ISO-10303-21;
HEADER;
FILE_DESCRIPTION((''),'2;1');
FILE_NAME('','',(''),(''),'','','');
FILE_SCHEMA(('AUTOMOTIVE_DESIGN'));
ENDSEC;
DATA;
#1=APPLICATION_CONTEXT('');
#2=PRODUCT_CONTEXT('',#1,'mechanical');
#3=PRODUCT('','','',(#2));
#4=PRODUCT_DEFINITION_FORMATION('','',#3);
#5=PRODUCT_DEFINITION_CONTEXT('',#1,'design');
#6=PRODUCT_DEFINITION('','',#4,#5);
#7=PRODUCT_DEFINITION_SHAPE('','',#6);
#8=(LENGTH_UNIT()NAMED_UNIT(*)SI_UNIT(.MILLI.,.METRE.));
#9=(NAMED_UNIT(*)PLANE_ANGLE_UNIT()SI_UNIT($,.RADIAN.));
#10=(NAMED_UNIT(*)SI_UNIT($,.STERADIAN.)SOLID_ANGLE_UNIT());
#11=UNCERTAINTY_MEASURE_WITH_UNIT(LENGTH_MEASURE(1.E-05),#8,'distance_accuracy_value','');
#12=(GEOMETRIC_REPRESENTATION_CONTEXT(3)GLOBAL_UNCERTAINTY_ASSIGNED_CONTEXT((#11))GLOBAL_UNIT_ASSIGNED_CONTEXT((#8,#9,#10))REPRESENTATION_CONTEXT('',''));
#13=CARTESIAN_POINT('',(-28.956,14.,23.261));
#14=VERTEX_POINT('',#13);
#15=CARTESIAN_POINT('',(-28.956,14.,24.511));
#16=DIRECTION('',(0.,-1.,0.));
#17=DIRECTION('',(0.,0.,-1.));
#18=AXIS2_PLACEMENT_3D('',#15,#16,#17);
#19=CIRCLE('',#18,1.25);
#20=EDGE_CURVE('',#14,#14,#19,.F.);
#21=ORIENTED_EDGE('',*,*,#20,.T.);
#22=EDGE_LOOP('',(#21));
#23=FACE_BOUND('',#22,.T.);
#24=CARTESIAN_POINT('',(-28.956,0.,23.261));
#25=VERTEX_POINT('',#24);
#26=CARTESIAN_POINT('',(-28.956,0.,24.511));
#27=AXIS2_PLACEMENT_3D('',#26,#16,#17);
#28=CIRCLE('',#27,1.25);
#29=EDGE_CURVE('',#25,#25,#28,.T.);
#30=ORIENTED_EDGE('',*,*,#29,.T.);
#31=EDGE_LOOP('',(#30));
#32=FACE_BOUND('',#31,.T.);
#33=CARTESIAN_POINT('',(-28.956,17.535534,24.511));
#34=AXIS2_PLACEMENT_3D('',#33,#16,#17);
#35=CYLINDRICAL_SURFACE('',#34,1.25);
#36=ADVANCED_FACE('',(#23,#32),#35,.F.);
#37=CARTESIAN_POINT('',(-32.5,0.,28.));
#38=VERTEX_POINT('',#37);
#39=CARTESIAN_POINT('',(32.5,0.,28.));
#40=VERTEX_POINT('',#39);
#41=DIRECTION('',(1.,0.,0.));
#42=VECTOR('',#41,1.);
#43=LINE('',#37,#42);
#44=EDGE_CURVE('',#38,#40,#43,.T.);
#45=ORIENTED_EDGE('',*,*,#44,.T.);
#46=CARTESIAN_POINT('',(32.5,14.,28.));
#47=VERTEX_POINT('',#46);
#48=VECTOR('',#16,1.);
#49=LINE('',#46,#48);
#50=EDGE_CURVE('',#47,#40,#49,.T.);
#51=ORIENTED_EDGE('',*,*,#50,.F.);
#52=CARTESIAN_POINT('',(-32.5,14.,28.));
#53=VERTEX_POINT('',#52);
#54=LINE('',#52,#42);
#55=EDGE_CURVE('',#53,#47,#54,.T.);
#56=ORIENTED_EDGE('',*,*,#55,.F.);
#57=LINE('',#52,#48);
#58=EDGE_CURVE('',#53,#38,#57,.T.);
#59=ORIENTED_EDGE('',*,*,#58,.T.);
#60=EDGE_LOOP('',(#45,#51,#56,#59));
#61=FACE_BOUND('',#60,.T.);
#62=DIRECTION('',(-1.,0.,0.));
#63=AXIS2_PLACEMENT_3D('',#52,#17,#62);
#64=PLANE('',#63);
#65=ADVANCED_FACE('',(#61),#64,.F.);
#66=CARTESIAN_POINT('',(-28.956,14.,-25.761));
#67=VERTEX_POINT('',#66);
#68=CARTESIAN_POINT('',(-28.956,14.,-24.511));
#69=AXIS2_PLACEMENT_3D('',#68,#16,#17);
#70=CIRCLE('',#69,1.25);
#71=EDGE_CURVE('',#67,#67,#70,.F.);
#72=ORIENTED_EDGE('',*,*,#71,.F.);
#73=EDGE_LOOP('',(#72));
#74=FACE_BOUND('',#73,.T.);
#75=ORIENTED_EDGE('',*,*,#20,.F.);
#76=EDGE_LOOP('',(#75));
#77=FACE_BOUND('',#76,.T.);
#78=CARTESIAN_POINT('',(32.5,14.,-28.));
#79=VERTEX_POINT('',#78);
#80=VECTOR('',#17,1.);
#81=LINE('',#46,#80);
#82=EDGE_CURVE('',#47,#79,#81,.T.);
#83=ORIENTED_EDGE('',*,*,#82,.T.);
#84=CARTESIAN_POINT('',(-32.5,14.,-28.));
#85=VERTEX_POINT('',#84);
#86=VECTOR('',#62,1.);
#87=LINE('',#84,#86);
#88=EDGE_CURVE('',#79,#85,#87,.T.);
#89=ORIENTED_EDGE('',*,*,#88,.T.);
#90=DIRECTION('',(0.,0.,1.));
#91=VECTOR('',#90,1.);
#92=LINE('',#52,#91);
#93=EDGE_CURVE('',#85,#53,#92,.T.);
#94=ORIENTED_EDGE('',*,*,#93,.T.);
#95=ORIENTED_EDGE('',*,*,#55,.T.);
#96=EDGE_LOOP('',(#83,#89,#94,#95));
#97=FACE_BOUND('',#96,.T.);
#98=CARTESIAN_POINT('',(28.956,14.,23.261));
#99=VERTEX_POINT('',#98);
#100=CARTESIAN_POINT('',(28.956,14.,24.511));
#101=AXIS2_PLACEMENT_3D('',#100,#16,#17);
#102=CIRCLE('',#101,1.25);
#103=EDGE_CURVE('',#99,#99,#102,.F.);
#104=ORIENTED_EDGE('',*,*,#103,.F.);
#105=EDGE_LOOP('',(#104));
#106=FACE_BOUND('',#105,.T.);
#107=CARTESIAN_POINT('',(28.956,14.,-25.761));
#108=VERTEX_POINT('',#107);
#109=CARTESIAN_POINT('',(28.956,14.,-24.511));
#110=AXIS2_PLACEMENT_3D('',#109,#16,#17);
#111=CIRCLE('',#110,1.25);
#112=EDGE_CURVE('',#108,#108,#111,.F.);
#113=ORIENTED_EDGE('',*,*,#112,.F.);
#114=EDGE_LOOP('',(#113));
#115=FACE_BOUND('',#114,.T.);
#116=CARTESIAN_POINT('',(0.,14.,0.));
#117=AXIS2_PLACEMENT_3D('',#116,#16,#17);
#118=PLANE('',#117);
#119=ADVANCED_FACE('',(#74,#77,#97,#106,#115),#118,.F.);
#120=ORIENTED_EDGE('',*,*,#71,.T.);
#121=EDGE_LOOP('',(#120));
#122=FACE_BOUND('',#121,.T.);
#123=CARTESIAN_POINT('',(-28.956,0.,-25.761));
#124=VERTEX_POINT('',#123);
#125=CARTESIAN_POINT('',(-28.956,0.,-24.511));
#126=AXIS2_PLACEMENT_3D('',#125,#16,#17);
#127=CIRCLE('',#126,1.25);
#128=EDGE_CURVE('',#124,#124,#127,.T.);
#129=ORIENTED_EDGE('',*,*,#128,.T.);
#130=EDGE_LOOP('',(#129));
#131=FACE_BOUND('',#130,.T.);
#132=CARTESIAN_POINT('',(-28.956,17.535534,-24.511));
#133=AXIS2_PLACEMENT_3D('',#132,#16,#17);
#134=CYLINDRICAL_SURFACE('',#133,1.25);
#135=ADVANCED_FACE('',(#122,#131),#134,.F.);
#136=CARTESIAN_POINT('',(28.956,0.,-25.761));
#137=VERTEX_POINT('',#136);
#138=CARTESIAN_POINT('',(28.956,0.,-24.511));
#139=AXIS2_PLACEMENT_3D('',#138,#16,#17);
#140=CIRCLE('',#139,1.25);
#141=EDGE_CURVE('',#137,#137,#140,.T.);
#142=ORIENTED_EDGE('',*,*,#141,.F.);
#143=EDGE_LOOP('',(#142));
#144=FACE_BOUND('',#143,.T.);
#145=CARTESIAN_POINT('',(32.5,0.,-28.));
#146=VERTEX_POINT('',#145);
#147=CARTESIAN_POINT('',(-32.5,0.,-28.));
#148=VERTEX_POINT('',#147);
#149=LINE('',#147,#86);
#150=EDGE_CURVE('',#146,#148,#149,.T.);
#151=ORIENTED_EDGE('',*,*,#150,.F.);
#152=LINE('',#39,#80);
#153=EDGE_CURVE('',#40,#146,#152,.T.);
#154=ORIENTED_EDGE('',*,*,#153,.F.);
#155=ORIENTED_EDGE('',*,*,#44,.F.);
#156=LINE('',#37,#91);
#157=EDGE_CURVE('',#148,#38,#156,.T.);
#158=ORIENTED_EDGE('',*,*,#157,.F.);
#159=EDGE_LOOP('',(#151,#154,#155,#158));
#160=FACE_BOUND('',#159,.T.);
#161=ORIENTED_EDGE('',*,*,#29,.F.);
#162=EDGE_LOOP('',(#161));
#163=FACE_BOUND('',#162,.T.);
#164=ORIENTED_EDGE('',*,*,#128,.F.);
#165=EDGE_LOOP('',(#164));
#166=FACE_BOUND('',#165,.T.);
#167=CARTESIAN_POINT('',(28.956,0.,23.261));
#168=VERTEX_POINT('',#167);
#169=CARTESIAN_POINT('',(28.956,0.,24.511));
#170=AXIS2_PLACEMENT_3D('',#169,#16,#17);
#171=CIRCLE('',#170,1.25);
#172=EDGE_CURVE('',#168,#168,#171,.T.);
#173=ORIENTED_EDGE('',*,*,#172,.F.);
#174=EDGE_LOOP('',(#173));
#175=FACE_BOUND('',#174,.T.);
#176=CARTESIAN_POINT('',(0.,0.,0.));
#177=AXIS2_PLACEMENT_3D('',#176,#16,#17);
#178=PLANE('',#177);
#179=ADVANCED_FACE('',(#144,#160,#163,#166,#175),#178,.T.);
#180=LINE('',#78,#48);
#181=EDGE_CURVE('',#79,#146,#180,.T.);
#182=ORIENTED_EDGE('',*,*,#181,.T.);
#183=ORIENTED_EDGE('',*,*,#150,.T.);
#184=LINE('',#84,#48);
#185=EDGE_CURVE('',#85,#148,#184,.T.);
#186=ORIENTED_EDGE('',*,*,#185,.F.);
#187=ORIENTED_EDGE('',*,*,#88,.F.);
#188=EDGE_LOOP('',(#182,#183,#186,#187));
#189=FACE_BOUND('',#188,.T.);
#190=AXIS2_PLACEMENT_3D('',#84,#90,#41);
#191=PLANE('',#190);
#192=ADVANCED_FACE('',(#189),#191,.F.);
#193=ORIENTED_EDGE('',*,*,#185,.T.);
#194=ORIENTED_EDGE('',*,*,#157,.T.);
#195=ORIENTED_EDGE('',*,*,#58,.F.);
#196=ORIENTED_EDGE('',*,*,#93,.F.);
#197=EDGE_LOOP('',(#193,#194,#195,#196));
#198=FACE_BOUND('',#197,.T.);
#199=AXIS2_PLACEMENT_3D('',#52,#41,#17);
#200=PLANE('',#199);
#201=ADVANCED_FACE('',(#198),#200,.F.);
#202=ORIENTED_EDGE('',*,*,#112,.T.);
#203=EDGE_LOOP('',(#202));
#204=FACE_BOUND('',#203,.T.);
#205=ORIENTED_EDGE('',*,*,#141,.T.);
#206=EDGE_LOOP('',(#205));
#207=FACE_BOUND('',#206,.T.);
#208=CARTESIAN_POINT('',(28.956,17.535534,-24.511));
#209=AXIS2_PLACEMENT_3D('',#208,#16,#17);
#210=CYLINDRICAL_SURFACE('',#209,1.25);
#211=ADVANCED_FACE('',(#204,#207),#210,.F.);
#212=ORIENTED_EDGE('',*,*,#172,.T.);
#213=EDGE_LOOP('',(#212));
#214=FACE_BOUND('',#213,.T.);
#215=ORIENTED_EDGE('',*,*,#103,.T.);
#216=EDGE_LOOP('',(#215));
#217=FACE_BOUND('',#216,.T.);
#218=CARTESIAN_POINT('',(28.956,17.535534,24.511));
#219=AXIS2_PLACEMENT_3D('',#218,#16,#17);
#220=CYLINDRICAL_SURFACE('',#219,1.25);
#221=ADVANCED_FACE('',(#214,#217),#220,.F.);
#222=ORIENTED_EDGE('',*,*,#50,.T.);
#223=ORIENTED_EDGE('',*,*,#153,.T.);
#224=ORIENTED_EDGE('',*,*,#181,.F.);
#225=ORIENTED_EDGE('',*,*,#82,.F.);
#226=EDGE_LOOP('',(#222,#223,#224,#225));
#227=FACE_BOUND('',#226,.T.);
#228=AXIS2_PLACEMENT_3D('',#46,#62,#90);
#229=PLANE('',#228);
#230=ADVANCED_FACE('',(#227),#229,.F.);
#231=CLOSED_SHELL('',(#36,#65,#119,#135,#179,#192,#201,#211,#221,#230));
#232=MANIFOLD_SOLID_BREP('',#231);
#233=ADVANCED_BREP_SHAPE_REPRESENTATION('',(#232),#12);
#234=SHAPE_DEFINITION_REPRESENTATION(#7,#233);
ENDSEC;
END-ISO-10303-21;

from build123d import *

# Parameters (mm, degrees)
SKETCH1_W           = 65
SKETCH1_H           = 56
BOSS_EXTRUDE1_DEPTH = 14
SKETCH2_R           = 1.25
CUT_EXTRUDE1_DEPTH  = 14


with BuildPart() as part:
    # Sketch1 → Boss-Extrude1 (new body)
    with BuildSketch(Plane(origin=(0, 0, 0), x_dir=(1, 0, 0), z_dir=(0, 1, 0))):
        Rectangle(SKETCH1_W, SKETCH1_H)
    extrude(amount=BOSS_EXTRUDE1_DEPTH)

    # Sketch2 → Cut-Extrude1 (cut)
    with BuildSketch(Plane.XZ):
        with Locations(Location((28.956, 24.511, 0), (0, 0, 270))):
            Circle(SKETCH2_R)
        with Locations(Location((28.956, -24.511, 0), (0, 0, 270))):
            Circle(SKETCH2_R)
        with Locations(Location((-28.956, -24.511, 0), (0, 0, 270))):
            Circle(SKETCH2_R)
        with Locations(Location((-28.956, 24.511, 0), (0, 0, 270))):
            Circle(SKETCH2_R)
    extrude(amount=-CUT_EXTRUDE1_DEPTH, mode=Mode.SUBTRACT)


solid = part.part
